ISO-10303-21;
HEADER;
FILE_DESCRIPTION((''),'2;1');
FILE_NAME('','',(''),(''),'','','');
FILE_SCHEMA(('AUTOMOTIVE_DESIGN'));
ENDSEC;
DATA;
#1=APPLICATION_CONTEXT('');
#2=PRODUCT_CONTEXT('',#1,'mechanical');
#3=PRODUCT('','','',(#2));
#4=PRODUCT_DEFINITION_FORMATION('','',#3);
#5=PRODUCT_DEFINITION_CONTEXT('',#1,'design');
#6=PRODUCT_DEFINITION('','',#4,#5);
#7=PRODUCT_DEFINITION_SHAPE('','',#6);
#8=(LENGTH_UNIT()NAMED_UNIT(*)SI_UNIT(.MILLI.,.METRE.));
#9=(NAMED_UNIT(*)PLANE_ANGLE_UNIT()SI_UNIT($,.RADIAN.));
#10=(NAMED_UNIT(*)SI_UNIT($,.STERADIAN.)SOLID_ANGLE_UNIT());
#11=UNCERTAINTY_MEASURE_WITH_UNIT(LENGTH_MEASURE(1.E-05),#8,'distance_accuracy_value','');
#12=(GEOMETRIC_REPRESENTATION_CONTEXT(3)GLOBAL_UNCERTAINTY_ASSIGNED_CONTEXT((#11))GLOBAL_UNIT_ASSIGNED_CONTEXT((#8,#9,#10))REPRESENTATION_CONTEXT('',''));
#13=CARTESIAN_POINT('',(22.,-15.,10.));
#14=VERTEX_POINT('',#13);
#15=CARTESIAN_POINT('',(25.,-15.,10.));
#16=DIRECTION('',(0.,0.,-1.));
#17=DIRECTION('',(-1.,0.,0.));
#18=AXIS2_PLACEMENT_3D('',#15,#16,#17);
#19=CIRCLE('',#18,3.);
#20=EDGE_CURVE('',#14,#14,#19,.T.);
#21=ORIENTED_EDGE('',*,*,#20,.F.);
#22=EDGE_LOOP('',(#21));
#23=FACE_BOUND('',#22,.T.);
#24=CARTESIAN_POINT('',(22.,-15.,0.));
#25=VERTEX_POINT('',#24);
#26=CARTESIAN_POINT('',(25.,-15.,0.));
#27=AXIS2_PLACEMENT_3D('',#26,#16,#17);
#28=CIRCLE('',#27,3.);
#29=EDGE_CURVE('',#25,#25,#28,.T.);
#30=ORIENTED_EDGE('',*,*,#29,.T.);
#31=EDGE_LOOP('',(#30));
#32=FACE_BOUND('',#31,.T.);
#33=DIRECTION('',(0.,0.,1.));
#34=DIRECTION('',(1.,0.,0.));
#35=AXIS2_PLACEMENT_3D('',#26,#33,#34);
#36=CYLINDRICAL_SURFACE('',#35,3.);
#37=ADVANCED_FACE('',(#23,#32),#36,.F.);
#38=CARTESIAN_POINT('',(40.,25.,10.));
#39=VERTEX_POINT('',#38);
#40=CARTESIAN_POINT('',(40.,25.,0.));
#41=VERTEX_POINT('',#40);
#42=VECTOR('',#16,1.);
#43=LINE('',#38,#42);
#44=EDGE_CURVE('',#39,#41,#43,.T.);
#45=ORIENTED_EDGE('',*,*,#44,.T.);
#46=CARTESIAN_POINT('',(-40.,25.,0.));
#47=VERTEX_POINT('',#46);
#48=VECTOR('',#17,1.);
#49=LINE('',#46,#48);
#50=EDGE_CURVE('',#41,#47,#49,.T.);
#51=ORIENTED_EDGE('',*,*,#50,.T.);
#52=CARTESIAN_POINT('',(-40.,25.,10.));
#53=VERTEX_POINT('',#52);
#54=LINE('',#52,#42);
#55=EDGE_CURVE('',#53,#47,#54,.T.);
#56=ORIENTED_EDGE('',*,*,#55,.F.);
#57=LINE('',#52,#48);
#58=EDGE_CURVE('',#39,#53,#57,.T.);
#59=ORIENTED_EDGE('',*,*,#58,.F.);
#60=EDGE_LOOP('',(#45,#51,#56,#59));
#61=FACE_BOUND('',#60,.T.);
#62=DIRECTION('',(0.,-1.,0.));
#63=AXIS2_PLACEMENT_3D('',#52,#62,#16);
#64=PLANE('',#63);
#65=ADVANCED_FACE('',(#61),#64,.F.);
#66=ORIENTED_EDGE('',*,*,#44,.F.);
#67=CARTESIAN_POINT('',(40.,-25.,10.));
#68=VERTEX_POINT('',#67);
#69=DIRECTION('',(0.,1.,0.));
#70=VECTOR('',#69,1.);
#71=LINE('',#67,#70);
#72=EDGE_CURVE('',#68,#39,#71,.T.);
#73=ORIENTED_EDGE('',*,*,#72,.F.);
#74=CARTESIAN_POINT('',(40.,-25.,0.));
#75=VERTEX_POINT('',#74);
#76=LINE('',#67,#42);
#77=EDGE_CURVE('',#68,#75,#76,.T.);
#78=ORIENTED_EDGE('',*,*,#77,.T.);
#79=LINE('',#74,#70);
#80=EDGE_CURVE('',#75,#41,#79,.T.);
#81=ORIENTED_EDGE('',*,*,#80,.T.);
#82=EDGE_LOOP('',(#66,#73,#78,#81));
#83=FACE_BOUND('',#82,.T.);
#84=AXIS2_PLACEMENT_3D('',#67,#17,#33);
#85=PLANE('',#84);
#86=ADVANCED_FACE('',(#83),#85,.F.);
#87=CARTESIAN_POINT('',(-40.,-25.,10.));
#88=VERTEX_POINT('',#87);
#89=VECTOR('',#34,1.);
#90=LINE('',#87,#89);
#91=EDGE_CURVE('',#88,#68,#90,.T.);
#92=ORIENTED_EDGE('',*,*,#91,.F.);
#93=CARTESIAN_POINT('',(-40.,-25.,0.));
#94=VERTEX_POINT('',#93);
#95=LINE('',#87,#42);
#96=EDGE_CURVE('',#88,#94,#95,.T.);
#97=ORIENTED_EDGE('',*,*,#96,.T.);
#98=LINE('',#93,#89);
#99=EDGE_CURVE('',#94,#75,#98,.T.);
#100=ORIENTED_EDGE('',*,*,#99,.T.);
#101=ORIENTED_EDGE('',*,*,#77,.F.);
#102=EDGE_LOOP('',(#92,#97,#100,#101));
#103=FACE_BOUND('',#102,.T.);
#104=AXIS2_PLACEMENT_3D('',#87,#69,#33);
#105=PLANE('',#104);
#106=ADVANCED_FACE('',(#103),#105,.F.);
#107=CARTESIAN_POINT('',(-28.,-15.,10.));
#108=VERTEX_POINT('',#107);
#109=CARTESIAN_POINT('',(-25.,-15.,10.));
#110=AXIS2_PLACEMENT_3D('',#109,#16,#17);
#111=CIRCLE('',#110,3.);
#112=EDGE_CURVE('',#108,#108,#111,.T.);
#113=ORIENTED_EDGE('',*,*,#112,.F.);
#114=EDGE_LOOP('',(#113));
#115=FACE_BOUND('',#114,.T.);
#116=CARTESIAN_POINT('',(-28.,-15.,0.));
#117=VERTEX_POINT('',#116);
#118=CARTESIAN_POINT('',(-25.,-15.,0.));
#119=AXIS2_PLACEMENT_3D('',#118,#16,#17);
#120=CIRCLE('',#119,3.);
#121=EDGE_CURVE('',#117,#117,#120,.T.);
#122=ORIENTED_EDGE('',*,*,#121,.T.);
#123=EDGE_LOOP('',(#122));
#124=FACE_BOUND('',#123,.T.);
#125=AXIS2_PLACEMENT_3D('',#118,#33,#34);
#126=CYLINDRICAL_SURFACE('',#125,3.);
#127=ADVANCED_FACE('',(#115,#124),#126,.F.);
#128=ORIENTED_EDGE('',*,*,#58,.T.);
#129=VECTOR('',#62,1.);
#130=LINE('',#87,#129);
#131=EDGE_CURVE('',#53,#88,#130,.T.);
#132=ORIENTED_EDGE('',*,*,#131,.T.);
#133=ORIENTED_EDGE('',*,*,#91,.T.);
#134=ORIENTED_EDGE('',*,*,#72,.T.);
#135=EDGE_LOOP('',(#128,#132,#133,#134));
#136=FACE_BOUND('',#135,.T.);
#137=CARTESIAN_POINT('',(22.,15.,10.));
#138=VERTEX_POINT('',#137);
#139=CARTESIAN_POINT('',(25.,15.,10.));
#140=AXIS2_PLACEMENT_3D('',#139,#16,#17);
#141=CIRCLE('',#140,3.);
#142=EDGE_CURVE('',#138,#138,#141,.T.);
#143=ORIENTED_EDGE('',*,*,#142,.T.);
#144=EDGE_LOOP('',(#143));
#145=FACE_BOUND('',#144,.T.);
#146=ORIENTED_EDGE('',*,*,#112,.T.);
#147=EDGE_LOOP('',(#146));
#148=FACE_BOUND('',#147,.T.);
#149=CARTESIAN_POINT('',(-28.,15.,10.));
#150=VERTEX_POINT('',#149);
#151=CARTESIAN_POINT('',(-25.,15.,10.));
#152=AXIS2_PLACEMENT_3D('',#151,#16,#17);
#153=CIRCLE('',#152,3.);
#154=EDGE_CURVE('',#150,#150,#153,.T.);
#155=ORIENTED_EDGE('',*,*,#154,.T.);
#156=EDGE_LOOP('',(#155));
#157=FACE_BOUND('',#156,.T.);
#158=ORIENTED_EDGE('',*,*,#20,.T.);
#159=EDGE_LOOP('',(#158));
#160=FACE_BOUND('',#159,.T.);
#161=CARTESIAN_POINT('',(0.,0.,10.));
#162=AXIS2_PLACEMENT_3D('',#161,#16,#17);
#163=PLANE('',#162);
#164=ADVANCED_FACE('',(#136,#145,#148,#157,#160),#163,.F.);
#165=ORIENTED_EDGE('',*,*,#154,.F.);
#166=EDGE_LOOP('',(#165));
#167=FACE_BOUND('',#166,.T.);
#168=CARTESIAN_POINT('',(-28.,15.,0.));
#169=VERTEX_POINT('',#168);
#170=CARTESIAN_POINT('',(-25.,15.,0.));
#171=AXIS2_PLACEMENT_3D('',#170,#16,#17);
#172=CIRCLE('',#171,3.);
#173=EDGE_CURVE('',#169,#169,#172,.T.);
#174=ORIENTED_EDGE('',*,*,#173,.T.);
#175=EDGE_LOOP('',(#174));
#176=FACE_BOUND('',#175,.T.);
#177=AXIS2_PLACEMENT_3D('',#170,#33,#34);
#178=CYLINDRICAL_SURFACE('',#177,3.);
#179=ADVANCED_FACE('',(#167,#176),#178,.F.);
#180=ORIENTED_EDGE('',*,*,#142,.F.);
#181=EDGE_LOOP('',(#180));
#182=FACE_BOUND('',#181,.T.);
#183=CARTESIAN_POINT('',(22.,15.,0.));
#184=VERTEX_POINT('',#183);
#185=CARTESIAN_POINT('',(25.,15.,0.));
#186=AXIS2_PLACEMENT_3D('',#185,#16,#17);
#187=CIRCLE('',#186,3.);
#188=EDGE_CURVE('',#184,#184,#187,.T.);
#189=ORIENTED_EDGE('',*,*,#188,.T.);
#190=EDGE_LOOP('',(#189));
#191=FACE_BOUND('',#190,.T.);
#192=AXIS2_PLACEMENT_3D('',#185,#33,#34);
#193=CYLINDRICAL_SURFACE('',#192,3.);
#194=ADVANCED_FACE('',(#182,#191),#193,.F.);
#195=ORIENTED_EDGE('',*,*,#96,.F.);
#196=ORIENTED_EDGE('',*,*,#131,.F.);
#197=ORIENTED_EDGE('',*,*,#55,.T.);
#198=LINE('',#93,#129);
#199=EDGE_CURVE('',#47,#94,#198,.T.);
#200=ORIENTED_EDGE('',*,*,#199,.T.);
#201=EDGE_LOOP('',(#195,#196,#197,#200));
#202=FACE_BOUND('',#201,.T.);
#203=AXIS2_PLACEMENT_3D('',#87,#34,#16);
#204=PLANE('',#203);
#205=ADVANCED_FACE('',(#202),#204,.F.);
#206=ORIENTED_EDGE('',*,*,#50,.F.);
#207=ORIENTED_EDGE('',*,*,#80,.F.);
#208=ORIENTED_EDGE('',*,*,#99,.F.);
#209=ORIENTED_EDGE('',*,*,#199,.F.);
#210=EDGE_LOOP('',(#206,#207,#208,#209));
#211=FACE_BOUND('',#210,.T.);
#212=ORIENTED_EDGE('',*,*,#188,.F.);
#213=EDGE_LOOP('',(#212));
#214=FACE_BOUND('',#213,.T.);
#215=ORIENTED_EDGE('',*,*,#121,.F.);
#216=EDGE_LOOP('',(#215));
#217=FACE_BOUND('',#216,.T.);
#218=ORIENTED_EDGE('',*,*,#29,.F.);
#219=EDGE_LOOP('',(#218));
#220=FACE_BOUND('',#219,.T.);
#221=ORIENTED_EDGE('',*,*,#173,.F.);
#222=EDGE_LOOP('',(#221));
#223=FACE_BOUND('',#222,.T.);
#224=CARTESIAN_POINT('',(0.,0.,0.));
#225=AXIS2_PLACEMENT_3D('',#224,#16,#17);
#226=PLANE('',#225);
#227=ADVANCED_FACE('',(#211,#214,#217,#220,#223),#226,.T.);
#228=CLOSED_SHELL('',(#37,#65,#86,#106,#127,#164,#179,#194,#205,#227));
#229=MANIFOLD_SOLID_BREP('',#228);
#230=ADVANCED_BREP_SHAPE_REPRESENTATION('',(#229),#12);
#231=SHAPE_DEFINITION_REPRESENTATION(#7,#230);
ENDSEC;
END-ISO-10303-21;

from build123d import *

# Parameters (mm, degrees)
BASE_W      = 80
BASE_H      = 50
BLOCK_DEPTH = 10
HOLES_2_R   = 3
HOLES_DEPTH = 49.218253805


with BuildPart() as part:
    # base → block (new body)
    with BuildSketch(Plane.XY):
        Rectangle(BASE_W, BASE_H)
    extrude(amount=BLOCK_DEPTH)

    # holes 2 → holes (cut, through all)
    with BuildSketch(Plane(origin=(0, 0, 10), x_dir=(-1, 0, 0), z_dir=(0, 0, -1))):
        with Locations((25, 15)):
            Circle(HOLES_2_R)
        with Locations((25, -15)):
            Circle(HOLES_2_R)
        with Locations((-25, 15)):
            Circle(HOLES_2_R)
        with Locations((-25, -15)):
            Circle(HOLES_2_R)
    extrude(amount=HOLES_DEPTH, mode=Mode.SUBTRACT)


solid = part.part
